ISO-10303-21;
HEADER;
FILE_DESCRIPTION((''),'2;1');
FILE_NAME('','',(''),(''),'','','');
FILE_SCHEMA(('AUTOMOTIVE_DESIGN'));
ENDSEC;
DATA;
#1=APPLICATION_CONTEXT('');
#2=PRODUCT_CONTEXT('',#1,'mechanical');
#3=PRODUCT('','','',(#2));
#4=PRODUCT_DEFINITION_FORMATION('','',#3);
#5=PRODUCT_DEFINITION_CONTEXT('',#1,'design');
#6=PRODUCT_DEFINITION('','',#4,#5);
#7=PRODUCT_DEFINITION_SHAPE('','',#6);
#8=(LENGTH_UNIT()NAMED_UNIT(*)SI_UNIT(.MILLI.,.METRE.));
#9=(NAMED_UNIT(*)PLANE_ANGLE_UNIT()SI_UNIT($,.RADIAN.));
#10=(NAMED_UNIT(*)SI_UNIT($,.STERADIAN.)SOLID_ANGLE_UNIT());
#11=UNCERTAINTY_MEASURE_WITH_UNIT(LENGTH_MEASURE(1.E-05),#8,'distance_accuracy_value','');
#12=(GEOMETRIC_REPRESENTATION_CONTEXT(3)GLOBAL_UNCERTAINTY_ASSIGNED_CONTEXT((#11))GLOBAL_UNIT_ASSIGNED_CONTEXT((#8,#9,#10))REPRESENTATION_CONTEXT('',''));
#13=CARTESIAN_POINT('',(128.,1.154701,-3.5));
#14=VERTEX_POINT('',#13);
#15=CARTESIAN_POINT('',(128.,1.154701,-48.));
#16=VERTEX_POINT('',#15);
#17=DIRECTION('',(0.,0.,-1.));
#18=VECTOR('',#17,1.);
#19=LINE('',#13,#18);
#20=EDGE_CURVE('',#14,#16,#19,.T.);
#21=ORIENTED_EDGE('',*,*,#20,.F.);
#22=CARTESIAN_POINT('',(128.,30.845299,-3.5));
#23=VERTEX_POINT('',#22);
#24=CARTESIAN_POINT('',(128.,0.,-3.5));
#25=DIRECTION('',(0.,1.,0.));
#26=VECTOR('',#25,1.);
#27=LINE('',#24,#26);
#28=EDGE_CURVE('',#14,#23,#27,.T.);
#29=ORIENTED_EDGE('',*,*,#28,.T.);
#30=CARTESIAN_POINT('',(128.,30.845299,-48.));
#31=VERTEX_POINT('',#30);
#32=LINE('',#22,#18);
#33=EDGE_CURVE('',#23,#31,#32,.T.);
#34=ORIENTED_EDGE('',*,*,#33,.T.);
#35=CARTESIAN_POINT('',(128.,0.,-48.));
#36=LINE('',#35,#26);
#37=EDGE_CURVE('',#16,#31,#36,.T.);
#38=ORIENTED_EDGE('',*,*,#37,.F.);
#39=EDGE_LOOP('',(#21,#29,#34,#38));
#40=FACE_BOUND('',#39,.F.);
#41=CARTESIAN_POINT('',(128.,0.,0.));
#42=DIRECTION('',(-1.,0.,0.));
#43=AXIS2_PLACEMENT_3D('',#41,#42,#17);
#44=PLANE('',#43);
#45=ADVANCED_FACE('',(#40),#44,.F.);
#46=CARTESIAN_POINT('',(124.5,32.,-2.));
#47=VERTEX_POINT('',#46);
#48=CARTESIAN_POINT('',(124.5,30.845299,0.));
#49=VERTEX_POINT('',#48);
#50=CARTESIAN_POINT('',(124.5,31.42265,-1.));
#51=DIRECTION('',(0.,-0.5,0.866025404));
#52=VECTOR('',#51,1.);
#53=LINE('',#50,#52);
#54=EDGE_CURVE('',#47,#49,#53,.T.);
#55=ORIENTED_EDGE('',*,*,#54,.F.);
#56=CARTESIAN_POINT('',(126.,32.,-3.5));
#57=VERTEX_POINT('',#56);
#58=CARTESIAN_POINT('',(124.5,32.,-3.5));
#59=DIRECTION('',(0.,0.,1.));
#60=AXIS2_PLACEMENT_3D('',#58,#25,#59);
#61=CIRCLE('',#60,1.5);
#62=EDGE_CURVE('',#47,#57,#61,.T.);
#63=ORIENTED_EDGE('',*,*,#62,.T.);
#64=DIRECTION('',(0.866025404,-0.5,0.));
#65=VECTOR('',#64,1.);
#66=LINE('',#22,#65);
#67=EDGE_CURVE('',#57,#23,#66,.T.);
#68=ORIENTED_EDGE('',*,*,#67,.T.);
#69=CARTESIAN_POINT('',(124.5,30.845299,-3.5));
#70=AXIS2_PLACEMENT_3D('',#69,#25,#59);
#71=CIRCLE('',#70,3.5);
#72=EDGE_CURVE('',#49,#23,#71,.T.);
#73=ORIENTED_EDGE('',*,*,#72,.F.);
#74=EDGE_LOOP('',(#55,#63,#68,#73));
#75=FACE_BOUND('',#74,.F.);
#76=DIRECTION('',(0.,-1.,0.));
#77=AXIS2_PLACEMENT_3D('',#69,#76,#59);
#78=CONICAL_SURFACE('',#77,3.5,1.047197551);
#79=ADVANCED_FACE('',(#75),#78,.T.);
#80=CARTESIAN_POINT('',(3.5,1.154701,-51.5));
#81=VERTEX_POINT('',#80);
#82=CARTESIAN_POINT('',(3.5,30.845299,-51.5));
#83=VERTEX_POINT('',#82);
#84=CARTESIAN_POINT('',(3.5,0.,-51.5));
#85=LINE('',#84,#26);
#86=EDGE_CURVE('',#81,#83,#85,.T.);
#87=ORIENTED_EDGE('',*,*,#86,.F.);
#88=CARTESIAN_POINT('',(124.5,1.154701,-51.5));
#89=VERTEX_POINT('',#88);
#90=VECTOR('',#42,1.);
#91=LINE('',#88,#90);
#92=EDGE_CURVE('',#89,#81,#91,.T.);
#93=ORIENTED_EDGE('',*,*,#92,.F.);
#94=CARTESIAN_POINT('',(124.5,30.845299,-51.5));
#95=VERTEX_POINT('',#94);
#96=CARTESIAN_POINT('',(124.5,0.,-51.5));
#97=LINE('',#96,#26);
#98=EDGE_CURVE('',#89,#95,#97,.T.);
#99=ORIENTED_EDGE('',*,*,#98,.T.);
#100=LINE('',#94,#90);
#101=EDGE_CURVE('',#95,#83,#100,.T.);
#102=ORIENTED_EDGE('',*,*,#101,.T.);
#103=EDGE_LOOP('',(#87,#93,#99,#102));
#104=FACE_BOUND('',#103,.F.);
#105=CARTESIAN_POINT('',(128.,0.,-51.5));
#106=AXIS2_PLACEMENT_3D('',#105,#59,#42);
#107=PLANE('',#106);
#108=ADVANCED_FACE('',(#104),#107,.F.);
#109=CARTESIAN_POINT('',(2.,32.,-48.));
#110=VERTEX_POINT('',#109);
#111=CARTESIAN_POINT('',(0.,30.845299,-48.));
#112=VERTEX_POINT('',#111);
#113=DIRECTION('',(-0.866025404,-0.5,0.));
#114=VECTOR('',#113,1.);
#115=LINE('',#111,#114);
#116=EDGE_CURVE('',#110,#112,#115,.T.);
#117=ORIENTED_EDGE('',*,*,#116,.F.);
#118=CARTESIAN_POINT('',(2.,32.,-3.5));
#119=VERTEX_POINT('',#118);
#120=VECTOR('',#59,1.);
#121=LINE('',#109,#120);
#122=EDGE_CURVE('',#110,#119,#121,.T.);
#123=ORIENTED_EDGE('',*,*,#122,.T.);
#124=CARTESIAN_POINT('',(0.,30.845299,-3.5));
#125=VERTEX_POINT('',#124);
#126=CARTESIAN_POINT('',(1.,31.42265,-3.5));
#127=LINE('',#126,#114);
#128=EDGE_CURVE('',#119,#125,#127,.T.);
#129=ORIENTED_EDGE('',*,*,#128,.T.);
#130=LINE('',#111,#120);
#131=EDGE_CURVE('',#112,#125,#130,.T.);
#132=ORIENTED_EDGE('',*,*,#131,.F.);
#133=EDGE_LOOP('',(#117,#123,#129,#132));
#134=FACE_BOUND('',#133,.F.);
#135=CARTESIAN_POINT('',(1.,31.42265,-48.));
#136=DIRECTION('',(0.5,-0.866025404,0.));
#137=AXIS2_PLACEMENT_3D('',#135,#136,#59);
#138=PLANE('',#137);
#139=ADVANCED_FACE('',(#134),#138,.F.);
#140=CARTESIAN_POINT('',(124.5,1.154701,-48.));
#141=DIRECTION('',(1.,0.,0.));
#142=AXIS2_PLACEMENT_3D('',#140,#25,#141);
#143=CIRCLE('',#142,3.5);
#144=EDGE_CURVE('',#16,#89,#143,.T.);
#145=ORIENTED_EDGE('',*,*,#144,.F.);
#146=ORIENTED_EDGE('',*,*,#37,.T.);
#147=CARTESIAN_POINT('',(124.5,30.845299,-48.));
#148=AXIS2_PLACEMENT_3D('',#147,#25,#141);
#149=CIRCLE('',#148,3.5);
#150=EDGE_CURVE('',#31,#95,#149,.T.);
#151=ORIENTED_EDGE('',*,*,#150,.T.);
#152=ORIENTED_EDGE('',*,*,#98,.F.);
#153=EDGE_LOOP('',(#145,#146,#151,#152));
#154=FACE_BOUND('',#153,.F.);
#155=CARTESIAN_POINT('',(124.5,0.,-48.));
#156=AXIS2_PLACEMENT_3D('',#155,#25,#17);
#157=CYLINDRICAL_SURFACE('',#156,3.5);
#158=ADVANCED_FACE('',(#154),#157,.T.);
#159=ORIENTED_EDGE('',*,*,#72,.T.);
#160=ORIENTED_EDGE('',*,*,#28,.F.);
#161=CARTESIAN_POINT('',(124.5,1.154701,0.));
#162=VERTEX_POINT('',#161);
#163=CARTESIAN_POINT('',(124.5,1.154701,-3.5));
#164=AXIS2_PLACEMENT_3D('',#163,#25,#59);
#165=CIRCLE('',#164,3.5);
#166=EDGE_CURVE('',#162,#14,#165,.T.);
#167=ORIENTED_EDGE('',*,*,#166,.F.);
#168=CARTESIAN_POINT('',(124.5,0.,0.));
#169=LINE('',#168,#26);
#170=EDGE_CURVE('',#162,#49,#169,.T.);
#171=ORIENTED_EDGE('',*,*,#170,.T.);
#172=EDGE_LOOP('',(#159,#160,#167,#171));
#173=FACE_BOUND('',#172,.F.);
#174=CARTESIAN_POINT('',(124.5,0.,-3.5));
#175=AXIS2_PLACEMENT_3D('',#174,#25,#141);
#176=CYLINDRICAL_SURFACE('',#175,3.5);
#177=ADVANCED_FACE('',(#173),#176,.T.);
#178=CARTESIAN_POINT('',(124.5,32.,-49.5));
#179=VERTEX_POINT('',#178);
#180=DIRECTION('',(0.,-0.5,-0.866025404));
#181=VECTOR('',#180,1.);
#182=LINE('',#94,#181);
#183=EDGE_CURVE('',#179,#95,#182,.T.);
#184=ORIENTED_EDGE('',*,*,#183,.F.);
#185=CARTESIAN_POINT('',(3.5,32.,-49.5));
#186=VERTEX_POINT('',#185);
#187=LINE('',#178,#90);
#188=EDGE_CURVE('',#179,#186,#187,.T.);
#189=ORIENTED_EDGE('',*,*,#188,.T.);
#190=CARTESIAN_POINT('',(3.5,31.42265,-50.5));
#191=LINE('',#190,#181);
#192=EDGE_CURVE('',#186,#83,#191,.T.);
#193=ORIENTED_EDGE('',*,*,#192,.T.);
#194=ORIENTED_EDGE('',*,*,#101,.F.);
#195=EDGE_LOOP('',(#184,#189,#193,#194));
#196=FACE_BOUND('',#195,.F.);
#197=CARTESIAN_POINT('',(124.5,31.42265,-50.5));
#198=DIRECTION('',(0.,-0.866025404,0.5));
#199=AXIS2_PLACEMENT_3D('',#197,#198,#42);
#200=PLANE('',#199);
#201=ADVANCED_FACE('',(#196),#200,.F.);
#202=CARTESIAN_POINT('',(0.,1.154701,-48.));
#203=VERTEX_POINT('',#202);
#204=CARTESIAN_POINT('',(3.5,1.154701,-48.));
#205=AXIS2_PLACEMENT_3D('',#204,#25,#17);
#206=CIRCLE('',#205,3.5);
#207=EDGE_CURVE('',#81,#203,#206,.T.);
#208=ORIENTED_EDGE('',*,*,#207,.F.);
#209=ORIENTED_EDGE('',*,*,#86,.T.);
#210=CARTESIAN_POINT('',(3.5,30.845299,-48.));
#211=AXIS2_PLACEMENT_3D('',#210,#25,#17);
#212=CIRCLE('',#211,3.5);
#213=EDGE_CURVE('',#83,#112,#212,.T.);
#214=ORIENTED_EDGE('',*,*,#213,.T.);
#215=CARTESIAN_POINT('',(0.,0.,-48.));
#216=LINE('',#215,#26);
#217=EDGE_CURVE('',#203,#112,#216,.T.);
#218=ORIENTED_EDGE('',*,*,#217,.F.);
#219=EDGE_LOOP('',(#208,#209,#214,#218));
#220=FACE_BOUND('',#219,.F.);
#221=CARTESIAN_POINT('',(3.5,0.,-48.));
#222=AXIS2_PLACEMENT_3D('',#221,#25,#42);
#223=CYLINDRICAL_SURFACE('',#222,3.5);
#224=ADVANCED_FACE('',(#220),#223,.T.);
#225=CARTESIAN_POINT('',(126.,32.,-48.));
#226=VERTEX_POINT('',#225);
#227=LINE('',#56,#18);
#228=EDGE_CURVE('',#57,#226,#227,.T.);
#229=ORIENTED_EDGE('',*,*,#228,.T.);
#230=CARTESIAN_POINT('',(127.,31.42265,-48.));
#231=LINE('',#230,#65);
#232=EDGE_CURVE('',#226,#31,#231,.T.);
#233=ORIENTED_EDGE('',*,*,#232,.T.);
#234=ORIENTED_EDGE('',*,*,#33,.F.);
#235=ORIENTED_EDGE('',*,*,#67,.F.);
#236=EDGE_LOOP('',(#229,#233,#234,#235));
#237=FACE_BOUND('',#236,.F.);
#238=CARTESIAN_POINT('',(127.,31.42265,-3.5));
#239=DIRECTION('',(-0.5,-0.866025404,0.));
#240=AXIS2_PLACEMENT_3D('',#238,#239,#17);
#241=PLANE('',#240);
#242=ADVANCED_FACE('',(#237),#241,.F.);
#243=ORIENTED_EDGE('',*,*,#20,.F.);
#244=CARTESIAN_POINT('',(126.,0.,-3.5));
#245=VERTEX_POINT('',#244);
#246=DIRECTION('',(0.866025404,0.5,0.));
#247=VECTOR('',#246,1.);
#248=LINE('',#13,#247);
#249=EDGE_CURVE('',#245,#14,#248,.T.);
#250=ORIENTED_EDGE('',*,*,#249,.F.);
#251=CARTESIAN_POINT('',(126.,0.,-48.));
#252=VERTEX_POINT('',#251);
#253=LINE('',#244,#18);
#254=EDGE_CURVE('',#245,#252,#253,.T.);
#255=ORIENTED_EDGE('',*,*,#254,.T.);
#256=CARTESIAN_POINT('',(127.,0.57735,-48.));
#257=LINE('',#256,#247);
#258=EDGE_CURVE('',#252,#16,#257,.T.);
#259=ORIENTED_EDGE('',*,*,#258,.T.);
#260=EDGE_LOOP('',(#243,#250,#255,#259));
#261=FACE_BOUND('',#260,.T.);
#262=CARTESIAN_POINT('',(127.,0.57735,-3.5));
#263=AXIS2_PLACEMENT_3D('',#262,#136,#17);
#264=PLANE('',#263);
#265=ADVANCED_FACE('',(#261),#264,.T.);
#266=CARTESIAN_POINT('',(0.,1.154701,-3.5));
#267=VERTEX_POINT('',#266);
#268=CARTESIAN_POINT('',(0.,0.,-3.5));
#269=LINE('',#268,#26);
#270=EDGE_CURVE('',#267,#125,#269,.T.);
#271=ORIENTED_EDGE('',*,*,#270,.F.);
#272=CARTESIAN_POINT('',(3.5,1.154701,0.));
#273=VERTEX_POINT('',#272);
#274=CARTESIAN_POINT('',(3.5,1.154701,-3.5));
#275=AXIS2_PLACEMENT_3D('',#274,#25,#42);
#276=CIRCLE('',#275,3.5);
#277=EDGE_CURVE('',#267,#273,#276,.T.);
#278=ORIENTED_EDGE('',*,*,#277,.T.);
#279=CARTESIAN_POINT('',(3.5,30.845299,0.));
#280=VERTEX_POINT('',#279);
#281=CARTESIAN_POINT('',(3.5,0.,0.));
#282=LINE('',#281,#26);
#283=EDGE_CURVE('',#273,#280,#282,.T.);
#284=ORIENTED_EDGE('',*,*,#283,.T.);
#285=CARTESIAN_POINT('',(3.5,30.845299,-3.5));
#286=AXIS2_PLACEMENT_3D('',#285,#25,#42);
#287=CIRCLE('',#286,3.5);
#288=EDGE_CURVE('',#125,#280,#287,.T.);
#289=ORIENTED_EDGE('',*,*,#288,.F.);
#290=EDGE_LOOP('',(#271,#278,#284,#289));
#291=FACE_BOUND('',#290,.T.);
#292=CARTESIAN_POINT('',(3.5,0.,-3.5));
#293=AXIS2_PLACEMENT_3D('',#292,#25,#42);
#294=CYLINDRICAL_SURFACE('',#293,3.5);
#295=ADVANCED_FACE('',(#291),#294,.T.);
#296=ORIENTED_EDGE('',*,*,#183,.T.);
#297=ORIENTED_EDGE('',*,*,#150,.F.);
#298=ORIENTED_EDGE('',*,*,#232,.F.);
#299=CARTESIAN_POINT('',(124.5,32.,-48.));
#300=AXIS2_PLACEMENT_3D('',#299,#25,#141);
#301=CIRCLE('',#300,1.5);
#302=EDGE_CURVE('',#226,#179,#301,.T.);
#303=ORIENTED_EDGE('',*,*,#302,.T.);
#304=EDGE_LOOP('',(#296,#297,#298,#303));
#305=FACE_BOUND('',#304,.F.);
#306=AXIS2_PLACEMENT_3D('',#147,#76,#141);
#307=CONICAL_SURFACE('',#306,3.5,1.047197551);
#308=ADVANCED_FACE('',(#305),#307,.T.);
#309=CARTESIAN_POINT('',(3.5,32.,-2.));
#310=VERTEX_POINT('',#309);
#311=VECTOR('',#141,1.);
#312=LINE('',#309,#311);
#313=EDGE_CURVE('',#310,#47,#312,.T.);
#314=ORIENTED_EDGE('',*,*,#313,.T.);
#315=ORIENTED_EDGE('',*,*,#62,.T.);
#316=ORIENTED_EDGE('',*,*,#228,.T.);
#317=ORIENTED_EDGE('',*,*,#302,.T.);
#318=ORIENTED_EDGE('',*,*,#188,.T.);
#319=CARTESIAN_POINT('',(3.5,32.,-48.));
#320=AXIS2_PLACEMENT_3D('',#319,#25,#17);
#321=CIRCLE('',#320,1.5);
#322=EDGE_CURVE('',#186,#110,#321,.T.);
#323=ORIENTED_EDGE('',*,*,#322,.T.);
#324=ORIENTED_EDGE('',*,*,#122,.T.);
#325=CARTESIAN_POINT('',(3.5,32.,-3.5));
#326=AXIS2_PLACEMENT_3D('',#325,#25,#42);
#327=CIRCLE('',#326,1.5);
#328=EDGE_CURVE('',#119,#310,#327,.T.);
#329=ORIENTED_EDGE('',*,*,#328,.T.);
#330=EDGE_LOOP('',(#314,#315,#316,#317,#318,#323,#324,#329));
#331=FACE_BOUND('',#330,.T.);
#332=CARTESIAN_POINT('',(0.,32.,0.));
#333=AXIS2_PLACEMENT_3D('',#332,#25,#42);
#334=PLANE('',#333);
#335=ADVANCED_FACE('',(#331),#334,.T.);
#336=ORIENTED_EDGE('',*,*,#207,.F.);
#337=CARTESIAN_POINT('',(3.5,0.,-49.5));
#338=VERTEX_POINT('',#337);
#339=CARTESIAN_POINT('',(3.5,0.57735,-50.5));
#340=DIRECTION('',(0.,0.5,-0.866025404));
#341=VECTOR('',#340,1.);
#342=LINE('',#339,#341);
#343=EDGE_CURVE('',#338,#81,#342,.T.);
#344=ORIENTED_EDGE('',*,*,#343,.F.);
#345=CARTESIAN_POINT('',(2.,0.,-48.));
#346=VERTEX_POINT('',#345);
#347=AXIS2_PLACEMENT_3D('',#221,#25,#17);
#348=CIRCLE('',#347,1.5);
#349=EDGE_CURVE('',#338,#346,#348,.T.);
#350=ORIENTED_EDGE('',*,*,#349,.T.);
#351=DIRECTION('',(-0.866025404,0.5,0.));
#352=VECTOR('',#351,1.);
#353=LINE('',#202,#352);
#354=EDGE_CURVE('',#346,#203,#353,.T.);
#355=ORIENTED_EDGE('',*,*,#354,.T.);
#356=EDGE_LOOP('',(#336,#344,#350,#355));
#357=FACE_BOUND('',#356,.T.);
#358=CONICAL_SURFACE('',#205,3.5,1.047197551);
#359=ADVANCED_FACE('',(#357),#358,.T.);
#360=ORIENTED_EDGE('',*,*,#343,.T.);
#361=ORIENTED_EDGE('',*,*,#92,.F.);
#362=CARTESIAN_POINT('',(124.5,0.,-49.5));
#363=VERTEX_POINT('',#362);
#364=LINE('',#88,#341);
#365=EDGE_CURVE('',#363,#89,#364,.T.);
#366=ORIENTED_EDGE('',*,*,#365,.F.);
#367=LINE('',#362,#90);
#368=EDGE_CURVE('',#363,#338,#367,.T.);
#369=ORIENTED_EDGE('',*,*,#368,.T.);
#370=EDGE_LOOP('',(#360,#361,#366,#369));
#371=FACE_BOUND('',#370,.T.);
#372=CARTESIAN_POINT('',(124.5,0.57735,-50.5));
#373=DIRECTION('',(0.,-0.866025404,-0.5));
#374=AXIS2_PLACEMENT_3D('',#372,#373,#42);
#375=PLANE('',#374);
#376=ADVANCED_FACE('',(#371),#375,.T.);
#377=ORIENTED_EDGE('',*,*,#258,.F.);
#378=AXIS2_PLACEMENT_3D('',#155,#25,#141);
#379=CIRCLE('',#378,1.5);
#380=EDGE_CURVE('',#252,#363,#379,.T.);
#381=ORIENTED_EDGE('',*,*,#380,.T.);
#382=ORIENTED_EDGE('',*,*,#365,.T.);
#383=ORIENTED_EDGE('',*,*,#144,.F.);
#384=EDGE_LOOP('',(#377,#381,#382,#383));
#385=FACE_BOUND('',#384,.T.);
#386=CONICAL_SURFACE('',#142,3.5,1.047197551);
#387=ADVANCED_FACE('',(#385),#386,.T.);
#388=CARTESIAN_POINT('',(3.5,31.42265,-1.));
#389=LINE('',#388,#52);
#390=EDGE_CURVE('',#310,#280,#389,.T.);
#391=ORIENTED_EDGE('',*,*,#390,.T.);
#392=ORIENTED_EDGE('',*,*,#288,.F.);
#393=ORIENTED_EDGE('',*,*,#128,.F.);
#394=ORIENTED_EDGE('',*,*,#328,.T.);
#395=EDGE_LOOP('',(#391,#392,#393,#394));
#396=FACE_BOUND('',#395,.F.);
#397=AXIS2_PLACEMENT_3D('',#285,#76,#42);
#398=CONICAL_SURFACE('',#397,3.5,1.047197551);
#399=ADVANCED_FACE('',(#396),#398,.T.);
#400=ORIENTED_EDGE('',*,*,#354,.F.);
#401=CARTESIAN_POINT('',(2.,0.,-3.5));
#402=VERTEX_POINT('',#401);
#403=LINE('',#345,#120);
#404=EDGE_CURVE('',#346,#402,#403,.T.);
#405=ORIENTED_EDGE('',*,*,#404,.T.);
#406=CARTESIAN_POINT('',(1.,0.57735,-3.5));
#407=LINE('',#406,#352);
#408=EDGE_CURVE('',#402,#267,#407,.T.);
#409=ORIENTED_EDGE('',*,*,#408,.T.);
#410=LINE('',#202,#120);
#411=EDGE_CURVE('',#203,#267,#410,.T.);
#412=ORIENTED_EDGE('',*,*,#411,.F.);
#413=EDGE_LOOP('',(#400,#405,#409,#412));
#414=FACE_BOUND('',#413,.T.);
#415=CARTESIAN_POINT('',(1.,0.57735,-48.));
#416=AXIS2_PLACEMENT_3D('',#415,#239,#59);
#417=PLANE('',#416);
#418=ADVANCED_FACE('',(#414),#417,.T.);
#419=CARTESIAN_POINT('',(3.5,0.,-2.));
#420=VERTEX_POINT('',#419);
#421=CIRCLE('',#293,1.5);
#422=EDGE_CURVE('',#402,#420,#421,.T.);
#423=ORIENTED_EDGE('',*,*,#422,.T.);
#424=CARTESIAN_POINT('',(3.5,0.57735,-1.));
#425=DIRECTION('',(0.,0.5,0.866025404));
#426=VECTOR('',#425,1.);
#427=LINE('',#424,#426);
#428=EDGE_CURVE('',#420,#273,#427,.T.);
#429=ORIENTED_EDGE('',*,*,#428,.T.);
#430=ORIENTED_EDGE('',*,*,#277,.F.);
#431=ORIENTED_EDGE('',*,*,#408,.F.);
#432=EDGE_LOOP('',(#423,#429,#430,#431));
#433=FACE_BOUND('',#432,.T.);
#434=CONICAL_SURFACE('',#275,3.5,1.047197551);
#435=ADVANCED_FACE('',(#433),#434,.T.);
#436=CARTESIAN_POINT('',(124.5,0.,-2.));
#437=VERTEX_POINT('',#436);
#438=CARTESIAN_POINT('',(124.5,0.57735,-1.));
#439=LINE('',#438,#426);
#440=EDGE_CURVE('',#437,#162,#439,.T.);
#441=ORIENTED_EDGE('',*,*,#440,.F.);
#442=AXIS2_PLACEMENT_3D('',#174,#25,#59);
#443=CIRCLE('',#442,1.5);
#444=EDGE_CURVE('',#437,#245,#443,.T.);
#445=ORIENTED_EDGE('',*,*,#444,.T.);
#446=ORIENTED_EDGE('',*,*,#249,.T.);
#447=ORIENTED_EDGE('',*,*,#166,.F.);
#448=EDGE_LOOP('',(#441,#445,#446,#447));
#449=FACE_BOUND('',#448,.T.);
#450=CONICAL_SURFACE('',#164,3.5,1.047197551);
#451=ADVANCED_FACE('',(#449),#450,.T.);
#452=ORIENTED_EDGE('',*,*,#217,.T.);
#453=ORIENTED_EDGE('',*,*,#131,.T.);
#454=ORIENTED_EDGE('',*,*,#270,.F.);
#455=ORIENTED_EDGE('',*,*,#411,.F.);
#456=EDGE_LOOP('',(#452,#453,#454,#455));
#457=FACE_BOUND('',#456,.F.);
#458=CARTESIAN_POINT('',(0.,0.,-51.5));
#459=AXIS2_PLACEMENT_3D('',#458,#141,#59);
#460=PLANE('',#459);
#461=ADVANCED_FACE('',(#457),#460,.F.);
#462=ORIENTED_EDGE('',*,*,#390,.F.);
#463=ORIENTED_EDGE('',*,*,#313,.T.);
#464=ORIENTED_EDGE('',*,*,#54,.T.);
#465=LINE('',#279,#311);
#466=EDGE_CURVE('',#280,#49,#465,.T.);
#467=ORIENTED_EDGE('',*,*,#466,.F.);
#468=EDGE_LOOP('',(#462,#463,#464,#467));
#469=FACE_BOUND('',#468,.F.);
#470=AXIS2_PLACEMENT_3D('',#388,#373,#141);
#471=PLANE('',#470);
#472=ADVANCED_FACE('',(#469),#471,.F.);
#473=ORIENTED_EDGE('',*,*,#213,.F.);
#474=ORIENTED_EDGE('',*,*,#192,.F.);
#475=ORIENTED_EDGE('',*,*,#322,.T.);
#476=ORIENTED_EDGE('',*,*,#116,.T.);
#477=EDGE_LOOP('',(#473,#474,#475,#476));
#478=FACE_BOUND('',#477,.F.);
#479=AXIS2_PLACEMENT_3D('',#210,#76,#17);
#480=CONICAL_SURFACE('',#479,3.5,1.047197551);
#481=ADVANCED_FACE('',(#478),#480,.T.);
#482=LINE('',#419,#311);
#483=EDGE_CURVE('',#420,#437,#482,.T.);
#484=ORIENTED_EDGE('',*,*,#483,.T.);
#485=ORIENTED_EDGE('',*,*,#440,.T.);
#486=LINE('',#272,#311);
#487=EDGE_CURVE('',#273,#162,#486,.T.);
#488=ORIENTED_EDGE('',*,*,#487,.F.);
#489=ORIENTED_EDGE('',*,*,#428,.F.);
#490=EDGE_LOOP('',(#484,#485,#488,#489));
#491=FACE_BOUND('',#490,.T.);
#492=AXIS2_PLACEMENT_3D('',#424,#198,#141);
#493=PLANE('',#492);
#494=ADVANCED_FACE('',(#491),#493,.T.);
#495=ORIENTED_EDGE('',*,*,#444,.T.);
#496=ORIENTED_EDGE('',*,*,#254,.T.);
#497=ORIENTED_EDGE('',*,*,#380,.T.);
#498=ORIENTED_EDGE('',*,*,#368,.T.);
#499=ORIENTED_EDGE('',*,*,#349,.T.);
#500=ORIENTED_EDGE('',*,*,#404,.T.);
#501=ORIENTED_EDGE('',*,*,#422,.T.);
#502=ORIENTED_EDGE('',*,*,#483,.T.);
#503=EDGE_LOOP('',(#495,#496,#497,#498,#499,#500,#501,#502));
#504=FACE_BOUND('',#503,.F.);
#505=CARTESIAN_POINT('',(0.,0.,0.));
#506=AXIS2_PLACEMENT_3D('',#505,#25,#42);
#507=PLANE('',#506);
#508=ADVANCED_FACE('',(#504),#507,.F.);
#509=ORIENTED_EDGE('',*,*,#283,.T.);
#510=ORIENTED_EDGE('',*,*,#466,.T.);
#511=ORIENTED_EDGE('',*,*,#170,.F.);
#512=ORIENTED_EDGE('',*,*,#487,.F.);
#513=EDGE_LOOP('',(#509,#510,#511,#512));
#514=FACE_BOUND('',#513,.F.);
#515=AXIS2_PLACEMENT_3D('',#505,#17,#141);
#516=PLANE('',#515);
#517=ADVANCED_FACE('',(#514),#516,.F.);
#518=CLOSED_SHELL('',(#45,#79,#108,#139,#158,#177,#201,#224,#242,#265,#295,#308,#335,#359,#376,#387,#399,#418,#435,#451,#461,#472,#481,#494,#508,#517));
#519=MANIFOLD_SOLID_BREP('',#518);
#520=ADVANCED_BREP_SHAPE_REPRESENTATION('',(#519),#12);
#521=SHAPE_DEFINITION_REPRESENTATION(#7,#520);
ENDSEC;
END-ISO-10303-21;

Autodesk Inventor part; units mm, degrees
ref_plane "YZ Plane" through (0, 0, 0) normal (1, 0, 0) x (0, 1, 0)
ref_plane "XZ Plane" through (0, 0, 0) normal (0, 1, 0) x (-1, 0, 0)
ref_plane "XY Plane" through (0, 0, 0) normal (0, 0, 1) x (1, 0, 0)
sketch "Sketch1" plane through (0, 0, 0) normal (0, 1, 0) x (-1, 0, 0)
  line L0 (0, 0) -> (-128, 0)
  line L1 (-128, 0) -> (-128, -51.5)
  line L2 (-128, -51.5) -> (0, -51.5)
  line L3 (0, -51.5) -> (0, 0)
  dimension "d0" = 128
  dimension "d1" = 51.5
extrude "Extrusion1" add sketch "Sketch1" along normal blind 32
fillet "Fillet1" radius 3.5 4 edges at (128, 16, 0) (128, 16, -51.5) (0, 16, 0) (0, 16, -51.5)
chamfer "Chamfer1" distance 2 angle 30 4 edges at (64, 32, 0) (0, 32, -25.75) (64, 32, -51.5) (128, 32, -25.75) measured on face at (43.8333, 32, -34.3333)
chamfer "Chamfer2" distance 2 angle 30 4 edges at (64, 0, 0) (128, 0, -25.75) (64, 0, -51.5) (0, 0, -25.75) measured on face at (43.8333, 0, -34.3333)
properties part number "PS-24 PSU" material "PC/ABS Plastic"
